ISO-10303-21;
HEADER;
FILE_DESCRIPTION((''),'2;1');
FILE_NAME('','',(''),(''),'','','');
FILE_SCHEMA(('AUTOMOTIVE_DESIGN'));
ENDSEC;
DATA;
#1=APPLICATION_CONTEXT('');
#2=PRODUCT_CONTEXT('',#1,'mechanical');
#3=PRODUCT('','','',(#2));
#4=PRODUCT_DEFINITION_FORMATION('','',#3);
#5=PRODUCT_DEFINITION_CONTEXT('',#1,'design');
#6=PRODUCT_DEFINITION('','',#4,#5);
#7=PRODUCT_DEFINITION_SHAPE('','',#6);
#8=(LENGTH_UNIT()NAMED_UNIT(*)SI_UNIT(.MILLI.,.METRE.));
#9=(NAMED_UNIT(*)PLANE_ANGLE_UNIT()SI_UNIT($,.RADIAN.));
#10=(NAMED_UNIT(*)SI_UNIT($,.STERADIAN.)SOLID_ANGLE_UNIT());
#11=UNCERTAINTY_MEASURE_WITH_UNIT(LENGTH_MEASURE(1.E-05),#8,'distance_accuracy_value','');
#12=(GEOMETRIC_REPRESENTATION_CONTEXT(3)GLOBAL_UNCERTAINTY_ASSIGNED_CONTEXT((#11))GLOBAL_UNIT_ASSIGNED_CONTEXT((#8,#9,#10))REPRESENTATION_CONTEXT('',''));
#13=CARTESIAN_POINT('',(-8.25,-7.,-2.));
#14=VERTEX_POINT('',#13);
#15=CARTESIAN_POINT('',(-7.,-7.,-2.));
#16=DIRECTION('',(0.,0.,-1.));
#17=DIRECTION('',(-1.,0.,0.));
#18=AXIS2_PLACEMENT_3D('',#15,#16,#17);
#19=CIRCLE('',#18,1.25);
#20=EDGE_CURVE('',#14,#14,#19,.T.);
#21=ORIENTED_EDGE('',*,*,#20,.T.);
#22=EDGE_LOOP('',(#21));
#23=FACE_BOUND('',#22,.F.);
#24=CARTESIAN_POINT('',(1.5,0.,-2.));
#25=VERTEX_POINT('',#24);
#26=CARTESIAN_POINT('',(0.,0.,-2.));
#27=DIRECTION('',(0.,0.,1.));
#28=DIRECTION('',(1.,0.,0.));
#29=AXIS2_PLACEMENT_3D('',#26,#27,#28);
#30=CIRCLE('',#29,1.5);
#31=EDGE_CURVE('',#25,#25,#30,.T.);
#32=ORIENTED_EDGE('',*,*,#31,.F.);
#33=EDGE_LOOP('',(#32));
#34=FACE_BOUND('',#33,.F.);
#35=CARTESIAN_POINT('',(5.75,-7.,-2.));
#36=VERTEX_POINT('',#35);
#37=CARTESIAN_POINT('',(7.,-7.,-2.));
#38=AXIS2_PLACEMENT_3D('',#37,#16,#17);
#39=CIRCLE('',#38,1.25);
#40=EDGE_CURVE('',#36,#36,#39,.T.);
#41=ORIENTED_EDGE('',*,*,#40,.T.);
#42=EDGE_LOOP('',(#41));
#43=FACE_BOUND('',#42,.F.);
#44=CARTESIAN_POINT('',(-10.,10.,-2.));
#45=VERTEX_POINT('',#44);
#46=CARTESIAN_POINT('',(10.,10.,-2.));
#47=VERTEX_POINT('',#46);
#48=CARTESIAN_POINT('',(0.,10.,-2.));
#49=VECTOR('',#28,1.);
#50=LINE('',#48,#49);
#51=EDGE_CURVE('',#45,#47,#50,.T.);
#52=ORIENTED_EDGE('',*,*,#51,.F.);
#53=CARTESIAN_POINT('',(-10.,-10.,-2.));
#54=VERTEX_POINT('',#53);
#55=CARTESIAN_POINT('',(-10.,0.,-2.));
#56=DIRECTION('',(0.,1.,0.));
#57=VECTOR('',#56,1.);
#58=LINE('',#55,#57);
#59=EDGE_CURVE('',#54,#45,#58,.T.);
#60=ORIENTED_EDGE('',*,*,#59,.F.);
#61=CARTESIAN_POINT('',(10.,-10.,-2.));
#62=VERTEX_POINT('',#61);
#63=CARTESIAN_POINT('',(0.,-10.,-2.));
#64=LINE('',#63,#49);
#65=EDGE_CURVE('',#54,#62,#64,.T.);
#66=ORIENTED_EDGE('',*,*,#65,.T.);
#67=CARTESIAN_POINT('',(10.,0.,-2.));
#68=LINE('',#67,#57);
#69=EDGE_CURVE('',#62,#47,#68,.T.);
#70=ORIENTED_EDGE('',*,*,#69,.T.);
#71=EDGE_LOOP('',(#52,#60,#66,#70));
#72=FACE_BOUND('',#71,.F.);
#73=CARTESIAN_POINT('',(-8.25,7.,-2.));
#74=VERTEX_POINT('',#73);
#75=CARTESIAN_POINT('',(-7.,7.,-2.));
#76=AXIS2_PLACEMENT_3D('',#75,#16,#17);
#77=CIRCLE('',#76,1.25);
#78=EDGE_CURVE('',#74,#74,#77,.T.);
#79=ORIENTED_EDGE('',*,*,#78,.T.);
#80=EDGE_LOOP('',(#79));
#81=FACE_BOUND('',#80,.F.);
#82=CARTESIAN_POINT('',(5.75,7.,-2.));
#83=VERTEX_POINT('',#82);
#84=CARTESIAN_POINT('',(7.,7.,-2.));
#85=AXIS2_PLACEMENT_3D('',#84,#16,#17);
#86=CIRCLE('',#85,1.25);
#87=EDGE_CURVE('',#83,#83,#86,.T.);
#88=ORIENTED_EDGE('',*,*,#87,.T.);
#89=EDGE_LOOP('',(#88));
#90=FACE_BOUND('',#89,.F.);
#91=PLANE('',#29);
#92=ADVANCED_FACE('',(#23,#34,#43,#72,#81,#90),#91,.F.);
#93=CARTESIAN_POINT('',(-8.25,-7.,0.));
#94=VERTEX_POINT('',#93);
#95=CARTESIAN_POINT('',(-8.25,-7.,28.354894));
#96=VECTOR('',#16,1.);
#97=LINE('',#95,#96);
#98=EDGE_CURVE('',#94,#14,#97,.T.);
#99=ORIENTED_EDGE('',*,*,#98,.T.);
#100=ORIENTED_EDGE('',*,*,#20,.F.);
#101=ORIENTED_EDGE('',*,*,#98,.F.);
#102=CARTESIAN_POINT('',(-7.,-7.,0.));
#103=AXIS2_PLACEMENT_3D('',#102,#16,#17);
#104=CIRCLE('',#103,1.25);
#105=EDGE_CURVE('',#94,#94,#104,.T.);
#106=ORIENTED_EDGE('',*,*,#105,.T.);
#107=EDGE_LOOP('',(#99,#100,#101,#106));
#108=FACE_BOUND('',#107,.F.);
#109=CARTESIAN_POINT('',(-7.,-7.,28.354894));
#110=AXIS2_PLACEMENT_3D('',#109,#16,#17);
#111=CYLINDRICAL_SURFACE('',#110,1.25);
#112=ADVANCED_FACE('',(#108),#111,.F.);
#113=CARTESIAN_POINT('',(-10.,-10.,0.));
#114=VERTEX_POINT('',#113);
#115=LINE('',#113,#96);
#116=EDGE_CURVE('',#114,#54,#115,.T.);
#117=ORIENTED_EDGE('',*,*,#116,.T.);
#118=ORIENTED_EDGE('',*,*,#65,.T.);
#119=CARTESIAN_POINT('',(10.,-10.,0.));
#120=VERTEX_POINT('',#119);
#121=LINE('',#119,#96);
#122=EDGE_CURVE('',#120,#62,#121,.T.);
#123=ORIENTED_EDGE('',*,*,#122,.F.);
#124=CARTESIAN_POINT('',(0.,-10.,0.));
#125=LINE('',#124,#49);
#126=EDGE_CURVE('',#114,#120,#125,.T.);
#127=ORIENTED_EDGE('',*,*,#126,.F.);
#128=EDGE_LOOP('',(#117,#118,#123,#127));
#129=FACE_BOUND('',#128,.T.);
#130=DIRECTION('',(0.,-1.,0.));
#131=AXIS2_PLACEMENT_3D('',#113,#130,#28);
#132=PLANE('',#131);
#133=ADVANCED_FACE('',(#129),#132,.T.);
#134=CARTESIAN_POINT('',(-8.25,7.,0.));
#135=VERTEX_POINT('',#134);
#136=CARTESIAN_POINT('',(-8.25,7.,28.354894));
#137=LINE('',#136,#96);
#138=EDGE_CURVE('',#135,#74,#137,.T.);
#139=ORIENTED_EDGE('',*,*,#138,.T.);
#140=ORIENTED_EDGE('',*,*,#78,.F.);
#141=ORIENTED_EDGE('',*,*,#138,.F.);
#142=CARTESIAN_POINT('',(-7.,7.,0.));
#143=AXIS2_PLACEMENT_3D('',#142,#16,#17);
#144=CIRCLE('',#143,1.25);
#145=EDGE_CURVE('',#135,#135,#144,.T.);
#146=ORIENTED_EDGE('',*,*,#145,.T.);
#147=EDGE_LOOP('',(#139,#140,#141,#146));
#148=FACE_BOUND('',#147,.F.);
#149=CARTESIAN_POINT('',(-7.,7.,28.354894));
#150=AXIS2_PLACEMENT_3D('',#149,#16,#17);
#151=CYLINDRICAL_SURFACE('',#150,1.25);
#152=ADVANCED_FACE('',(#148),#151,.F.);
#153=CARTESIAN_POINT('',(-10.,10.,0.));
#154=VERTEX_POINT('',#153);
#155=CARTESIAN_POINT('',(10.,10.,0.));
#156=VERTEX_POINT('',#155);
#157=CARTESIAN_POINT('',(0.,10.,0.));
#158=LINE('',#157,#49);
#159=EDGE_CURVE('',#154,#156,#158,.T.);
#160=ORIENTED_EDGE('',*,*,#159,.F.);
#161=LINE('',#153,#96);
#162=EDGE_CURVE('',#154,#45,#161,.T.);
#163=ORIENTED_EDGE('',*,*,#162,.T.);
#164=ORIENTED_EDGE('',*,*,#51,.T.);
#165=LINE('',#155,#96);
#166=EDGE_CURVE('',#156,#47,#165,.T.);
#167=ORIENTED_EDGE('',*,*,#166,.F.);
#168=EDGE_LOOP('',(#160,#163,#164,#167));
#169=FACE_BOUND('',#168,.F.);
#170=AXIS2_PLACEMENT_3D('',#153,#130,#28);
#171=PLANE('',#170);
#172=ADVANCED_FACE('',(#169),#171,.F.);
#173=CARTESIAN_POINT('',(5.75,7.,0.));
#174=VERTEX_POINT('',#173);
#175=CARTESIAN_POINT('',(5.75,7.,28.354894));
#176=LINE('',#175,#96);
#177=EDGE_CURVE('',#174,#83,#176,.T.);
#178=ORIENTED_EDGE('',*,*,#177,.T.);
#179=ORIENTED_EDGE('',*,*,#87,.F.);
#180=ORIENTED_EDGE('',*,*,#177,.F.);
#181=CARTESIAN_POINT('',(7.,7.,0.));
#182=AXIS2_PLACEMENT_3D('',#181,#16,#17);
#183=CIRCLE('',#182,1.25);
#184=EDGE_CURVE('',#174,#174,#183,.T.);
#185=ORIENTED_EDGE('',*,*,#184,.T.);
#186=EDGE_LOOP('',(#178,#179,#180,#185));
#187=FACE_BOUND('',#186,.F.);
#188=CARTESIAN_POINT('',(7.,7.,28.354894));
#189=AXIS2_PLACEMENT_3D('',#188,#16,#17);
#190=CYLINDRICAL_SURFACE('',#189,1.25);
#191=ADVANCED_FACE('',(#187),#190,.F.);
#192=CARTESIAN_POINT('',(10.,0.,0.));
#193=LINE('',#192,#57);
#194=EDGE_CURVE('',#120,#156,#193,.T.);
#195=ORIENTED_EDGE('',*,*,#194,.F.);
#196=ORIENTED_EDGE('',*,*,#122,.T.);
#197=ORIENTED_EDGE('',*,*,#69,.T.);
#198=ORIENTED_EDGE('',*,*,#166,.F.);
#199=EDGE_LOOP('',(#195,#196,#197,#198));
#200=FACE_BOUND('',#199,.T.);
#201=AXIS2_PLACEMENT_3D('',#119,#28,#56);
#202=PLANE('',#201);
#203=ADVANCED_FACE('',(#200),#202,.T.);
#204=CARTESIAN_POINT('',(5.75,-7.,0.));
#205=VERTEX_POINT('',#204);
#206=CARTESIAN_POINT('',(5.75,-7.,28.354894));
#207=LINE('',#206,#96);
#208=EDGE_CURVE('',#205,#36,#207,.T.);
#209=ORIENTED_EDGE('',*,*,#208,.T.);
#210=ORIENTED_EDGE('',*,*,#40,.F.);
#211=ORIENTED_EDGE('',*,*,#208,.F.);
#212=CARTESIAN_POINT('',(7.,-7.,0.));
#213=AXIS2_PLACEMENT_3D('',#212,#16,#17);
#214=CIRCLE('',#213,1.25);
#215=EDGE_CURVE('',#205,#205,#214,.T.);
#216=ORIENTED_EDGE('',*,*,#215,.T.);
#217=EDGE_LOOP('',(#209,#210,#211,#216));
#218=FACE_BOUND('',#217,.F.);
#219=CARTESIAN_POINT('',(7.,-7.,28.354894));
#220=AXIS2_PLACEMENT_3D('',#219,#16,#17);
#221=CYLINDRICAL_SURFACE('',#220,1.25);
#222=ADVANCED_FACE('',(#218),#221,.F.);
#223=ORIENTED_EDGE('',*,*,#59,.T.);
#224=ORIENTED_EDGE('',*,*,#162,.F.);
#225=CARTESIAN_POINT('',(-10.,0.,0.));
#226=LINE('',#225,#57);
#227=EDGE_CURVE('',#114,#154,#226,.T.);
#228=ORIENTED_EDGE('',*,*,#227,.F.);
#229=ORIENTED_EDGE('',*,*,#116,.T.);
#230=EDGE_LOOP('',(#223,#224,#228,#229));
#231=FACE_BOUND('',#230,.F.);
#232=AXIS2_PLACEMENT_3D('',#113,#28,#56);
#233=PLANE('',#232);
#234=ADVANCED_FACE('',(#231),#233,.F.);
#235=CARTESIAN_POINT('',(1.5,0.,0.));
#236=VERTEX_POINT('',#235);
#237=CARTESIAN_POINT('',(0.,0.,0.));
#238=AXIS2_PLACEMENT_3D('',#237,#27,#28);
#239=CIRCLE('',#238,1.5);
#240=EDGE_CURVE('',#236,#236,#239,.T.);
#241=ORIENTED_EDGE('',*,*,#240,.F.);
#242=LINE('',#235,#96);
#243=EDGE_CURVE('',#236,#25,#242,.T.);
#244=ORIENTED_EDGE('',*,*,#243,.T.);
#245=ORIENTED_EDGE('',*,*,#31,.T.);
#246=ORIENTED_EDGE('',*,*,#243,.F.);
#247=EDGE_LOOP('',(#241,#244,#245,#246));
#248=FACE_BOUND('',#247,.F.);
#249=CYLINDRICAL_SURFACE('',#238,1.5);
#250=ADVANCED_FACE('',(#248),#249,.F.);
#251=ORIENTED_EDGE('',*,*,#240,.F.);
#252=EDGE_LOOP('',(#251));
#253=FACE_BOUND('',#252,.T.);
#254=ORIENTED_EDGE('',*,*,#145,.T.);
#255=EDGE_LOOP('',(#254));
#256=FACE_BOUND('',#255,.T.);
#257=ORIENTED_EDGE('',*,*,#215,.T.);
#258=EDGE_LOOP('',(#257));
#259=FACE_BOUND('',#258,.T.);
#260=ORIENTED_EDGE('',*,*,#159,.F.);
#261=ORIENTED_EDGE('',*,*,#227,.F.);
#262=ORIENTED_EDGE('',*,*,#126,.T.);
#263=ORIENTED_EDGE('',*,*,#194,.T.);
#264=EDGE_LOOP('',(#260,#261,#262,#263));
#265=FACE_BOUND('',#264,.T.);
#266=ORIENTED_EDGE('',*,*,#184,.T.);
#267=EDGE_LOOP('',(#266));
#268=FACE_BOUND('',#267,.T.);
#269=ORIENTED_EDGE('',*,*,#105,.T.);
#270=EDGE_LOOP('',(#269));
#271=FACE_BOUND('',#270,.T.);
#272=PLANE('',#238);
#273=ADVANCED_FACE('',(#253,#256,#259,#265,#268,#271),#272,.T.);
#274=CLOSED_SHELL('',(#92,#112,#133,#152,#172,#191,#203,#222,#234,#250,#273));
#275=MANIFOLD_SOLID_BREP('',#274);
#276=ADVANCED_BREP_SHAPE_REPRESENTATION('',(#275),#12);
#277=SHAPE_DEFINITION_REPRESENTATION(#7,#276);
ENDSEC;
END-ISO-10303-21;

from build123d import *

# Parameters (mm, degrees)
F0_W     = 20
F0_H     = 20
F1_DEPTH = 2
F3_D     = 2.5
F4_R     = 1.5
F5_DEPTH = 25


with BuildPart() as f1:
    # F0 (on Top) → F1 (new body)
    with BuildSketch(Plane.XY):
        Rectangle(F0_W, F0_H)
    extrude(amount=-F1_DEPTH)

    # F3 (through all)
    with Locations(Plane.XY):
        with Locations((-7, 7), (7, 7), (-7, -7), (7, -7)):
            Hole(F3_D / 2)

    # F4 (on face) → F5 (cut)
    with BuildSketch(Plane.XY):
        Circle(F4_R)
    extrude(amount=-F5_DEPTH, mode=Mode.SUBTRACT)


solid = f1.part
